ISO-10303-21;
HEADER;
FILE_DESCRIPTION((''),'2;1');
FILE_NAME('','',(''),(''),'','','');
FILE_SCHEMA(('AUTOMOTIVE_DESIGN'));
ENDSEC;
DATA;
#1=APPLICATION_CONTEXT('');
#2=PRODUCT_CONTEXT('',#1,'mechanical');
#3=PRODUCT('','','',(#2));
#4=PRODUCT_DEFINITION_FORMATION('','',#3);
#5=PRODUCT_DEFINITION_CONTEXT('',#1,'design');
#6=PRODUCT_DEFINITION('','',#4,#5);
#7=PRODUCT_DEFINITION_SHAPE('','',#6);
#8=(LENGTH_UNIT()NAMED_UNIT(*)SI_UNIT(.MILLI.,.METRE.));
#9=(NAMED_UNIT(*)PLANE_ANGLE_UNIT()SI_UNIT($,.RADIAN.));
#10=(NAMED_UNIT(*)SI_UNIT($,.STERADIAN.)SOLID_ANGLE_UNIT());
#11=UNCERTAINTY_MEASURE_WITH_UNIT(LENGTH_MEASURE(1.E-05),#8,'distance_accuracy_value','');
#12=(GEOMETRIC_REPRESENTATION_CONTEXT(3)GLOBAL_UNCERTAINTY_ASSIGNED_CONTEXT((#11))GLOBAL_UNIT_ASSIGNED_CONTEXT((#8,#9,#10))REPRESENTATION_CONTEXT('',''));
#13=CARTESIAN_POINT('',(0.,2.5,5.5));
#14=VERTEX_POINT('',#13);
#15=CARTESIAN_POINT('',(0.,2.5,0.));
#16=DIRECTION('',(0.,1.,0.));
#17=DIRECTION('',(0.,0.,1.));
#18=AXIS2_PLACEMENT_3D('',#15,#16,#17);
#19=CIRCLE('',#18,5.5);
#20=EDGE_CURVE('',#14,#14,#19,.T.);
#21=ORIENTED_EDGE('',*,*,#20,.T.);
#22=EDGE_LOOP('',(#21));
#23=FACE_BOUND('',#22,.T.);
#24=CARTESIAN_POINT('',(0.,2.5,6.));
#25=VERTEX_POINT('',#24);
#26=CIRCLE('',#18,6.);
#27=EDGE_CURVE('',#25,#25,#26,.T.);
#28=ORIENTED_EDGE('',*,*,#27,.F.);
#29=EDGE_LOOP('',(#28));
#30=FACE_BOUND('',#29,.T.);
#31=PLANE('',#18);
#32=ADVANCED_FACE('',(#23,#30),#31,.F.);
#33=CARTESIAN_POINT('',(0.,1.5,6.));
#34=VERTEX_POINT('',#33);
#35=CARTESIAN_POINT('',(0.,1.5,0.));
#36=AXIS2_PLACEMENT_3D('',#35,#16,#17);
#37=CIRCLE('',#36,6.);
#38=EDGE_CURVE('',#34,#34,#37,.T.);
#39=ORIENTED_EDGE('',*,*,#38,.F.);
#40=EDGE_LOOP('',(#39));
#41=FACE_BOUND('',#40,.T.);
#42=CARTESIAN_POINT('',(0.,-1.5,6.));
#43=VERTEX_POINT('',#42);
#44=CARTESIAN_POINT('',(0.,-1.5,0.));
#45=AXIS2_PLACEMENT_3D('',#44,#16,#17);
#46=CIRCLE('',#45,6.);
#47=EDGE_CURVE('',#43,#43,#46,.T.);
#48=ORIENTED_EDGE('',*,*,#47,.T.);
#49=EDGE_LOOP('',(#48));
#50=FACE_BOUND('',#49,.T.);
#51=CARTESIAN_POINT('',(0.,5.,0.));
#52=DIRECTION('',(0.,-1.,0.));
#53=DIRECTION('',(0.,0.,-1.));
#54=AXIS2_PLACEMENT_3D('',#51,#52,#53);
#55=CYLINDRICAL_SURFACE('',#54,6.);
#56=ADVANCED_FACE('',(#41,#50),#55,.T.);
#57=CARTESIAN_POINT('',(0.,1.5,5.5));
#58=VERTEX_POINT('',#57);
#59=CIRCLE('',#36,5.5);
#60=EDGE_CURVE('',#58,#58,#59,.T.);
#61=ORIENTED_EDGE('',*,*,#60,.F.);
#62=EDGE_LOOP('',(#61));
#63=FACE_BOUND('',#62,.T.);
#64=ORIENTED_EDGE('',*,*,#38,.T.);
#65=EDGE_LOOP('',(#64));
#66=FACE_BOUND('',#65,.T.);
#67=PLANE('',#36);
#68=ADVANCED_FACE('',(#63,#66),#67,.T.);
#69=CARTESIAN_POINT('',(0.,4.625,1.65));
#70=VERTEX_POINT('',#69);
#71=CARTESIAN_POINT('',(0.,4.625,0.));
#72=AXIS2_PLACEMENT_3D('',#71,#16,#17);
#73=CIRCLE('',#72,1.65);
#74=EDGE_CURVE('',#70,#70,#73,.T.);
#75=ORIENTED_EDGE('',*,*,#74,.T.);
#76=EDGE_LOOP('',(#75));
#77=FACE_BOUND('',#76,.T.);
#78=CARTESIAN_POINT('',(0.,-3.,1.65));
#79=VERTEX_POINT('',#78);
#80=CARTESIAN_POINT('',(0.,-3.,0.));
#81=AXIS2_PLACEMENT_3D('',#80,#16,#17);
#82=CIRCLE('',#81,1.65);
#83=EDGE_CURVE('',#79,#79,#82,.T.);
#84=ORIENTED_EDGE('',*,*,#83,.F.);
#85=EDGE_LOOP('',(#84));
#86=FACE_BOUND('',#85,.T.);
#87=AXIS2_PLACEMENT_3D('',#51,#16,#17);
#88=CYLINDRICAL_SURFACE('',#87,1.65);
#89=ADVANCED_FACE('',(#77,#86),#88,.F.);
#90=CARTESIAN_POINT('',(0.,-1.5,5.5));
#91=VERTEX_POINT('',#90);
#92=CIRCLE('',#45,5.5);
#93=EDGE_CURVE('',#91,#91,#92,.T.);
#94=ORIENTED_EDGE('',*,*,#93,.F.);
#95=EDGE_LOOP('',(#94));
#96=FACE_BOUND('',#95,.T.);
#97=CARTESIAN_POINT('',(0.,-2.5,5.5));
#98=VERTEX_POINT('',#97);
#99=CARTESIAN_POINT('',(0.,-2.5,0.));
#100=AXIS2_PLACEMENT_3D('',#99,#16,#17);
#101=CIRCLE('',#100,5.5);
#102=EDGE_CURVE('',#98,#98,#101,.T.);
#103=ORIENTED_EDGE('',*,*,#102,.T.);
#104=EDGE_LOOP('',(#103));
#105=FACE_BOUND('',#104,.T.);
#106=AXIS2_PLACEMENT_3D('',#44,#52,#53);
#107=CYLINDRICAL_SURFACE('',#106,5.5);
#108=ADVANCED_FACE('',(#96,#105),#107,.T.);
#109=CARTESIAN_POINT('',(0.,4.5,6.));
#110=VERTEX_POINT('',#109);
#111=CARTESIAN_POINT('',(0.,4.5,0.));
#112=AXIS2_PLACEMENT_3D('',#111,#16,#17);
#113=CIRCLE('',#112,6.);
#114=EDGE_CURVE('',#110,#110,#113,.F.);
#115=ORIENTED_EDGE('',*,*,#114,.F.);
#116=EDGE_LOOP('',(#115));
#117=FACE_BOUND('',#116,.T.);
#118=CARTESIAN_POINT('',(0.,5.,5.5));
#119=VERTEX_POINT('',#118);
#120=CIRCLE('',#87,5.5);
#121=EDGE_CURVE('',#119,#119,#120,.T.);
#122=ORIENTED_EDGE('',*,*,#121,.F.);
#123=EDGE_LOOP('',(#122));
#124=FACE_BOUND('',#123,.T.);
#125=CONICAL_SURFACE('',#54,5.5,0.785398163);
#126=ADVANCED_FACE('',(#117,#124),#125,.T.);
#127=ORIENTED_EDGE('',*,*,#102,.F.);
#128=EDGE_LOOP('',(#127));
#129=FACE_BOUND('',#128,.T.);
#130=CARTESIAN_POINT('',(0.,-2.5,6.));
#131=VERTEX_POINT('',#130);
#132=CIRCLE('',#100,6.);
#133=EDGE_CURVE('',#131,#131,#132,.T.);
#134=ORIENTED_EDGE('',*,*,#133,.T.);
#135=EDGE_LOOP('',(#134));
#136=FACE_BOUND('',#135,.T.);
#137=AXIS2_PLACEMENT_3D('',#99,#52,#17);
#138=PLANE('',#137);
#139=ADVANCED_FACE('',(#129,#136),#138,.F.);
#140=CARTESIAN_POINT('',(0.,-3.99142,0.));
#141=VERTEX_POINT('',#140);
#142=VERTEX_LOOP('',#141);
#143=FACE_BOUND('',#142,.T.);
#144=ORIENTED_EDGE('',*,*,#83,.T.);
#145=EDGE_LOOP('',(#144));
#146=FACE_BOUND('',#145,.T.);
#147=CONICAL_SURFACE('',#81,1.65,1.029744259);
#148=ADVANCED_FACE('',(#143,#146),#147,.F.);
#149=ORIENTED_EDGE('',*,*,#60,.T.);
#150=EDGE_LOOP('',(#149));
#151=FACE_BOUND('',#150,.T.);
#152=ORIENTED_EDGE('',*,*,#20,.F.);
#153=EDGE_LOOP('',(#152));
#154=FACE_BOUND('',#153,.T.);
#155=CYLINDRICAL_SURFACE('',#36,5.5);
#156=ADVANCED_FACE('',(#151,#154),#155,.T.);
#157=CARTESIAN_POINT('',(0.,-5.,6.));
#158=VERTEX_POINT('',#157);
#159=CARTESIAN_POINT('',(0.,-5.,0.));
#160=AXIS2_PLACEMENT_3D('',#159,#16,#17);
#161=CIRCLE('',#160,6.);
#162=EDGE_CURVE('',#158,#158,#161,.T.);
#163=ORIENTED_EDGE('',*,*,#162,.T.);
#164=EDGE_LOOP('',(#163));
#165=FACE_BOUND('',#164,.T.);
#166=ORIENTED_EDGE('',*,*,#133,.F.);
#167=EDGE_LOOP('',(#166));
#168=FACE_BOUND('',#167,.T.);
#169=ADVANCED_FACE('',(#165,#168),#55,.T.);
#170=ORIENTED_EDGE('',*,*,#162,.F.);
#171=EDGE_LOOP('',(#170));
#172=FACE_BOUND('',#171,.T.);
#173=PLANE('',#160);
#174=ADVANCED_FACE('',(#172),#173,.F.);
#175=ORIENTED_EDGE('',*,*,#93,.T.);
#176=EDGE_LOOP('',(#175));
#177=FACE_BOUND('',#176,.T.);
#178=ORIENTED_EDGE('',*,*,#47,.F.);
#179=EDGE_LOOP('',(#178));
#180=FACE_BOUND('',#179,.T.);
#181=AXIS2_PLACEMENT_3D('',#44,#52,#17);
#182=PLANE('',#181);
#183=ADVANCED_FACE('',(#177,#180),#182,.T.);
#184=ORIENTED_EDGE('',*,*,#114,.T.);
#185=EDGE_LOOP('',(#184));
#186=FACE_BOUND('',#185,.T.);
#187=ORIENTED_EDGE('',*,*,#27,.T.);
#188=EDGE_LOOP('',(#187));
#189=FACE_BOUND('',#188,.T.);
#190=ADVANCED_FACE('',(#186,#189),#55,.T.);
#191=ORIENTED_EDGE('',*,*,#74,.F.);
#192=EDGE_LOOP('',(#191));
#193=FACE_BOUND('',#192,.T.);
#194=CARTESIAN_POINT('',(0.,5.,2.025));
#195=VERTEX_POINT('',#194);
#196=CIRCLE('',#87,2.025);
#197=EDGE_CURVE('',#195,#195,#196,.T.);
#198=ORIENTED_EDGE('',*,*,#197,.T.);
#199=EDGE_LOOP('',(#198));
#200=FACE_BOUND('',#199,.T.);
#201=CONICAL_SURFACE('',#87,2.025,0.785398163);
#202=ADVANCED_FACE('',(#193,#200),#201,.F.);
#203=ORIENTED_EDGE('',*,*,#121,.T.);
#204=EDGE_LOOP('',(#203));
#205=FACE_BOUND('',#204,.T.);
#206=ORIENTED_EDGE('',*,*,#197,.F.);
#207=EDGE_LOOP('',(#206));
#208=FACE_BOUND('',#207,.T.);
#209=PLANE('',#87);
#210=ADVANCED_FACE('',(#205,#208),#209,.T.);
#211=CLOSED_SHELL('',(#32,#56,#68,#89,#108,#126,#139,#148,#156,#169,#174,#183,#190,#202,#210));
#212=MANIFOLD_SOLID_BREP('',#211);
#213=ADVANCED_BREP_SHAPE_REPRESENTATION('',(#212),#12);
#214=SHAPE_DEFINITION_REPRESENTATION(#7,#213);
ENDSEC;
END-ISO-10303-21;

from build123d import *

# Parameters (mm, degrees)
SKETCH1_R                       = 6
BOSS_EXTRUDE1_DEPTH             = 5
CUT_EXTRUDE1_START              = -2.5
SKETCH2_R                       = 6
SKETCH2_R_2                     = 5.5
CUT_EXTRUDE1_DEPTH              = 1
CHAMFER1_SIZE                   = 0.5
M4X0_7_TAPPED_HOLE1_D           = 3.3
M4X0_7_TAPPED_HOLE1_DEPTH       = 8
M4X0_7_TAPPED_HOLE1_CSINK_D     = 4.05
M4X0_7_TAPPED_HOLE1_CSINK_ANGLE = 90
M4X0_7_TAPPED_HOLE1_TIP         = 0.991420021


with BuildPart() as part:
    # Sketch1 → Boss-Extrude1 (new body, symmetric)
    with BuildSketch(Plane(origin=(0, 0, 0), x_dir=(1, 0, 0), z_dir=(0, 1, 0))):
        Circle(SKETCH1_R)
    extrude(amount=BOSS_EXTRUDE1_DEPTH, both=True)

    # Sketch2 → Cut-Extrude1 (cut)
    with BuildSketch(Plane(origin=(0, 5, 0), x_dir=(1, 0, 0), z_dir=(0, 1, 0)).offset(CUT_EXTRUDE1_START)):
        Circle(SKETCH2_R)
        Circle(SKETCH2_R_2, mode=Mode.SUBTRACT)
    cut_extrude1 = extrude(amount=-CUT_EXTRUDE1_DEPTH, mode=Mode.SUBTRACT)

    # Mirror1: Cut-Extrude1 across plane
    add(cut_extrude1.mirror(Plane.ZX), mode=Mode.SUBTRACT)

    # Chamfer1
    chamfer1_edges = [part.edges().sort_by_distance(p)[0] for p in [
        (-6, 5, 0),
    ]]
    chamfer(chamfer1_edges, length=CHAMFER1_SIZE)

    # M4x0.7 Tapped Hole1
    with Locations(Plane(origin=(0, 5, 0), x_dir=(1, 0, 0), z_dir=(0, 1, 0))):
        with Locations((0, 0)):
            CounterSinkHole(M4X0_7_TAPPED_HOLE1_D / 2, M4X0_7_TAPPED_HOLE1_CSINK_D / 2, depth=M4X0_7_TAPPED_HOLE1_DEPTH, counter_sink_angle=M4X0_7_TAPPED_HOLE1_CSINK_ANGLE)
            with Locations((0, 0, -(M4X0_7_TAPPED_HOLE1_DEPTH + M4X0_7_TAPPED_HOLE1_TIP / 2))):  # 118° drill point
                Cone(0, M4X0_7_TAPPED_HOLE1_D / 2, M4X0_7_TAPPED_HOLE1_TIP, mode=Mode.SUBTRACT)


solid = part.part
